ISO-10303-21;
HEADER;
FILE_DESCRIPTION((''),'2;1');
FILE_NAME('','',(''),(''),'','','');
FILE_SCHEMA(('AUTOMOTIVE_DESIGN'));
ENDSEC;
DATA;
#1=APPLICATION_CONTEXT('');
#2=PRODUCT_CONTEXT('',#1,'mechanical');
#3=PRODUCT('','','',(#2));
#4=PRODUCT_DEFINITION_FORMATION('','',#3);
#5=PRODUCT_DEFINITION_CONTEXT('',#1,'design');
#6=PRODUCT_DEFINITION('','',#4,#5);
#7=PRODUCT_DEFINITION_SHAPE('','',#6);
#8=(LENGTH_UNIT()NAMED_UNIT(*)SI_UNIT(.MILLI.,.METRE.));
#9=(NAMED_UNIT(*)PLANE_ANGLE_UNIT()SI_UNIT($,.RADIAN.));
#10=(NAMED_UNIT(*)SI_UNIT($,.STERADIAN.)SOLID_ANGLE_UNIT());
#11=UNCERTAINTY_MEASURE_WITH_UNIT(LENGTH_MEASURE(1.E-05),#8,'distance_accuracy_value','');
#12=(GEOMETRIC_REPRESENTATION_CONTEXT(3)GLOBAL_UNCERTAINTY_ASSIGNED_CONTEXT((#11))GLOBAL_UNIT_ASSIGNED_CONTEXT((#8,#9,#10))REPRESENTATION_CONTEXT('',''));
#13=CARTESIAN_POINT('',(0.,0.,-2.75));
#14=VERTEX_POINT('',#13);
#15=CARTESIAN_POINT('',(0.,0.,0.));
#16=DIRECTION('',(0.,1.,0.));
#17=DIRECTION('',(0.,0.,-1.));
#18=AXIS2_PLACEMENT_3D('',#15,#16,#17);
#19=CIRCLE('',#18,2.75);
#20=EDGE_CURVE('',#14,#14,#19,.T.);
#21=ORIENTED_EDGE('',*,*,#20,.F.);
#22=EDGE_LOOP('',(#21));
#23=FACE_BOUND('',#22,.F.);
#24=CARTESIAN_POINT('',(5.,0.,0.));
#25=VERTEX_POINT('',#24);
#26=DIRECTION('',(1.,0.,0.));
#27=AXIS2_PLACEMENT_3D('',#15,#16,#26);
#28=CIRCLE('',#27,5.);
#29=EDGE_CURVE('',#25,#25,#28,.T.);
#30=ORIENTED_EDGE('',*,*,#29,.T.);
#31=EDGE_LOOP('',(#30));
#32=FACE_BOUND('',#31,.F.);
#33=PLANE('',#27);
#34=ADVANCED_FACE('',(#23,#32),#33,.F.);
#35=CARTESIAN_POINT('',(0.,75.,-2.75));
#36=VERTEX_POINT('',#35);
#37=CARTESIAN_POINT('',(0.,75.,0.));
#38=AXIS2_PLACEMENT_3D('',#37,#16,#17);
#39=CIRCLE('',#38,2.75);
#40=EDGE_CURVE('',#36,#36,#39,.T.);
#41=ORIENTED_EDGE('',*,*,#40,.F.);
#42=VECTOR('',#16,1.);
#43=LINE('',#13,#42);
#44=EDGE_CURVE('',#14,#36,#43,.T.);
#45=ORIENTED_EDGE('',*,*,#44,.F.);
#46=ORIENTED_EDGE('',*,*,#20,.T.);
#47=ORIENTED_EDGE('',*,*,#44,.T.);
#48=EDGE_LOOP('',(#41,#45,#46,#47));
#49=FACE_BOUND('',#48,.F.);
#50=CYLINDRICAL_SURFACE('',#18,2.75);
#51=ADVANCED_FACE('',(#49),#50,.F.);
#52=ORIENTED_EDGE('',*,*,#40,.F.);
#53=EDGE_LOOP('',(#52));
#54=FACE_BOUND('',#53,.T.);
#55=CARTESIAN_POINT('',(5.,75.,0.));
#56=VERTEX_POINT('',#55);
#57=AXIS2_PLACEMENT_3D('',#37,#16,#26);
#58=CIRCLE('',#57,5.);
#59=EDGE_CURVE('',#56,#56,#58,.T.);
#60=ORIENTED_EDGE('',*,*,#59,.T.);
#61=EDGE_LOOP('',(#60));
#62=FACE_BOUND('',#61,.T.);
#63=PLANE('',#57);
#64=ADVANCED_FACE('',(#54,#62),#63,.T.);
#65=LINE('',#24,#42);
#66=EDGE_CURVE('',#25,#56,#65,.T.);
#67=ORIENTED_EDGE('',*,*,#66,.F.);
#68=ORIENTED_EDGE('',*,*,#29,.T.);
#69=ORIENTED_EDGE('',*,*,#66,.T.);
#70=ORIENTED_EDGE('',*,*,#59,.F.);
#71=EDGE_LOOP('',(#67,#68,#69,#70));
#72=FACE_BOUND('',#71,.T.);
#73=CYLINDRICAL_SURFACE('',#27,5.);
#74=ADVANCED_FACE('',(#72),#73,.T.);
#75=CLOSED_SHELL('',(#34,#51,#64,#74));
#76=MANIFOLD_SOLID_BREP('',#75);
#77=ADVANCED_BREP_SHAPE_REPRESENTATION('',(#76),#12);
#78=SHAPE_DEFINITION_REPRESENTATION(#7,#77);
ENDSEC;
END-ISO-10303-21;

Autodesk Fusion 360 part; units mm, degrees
cylinder "CylinderPrimitive1" add diameter 10 height 75 placed x (1, 0, 0) y (0, 0, -1) z (0, 1, 0) at (0, 0, 0)
hole "Hole1" at (0, 0, 0) direction (0, 1, 0) diameter 5.5 end through all
